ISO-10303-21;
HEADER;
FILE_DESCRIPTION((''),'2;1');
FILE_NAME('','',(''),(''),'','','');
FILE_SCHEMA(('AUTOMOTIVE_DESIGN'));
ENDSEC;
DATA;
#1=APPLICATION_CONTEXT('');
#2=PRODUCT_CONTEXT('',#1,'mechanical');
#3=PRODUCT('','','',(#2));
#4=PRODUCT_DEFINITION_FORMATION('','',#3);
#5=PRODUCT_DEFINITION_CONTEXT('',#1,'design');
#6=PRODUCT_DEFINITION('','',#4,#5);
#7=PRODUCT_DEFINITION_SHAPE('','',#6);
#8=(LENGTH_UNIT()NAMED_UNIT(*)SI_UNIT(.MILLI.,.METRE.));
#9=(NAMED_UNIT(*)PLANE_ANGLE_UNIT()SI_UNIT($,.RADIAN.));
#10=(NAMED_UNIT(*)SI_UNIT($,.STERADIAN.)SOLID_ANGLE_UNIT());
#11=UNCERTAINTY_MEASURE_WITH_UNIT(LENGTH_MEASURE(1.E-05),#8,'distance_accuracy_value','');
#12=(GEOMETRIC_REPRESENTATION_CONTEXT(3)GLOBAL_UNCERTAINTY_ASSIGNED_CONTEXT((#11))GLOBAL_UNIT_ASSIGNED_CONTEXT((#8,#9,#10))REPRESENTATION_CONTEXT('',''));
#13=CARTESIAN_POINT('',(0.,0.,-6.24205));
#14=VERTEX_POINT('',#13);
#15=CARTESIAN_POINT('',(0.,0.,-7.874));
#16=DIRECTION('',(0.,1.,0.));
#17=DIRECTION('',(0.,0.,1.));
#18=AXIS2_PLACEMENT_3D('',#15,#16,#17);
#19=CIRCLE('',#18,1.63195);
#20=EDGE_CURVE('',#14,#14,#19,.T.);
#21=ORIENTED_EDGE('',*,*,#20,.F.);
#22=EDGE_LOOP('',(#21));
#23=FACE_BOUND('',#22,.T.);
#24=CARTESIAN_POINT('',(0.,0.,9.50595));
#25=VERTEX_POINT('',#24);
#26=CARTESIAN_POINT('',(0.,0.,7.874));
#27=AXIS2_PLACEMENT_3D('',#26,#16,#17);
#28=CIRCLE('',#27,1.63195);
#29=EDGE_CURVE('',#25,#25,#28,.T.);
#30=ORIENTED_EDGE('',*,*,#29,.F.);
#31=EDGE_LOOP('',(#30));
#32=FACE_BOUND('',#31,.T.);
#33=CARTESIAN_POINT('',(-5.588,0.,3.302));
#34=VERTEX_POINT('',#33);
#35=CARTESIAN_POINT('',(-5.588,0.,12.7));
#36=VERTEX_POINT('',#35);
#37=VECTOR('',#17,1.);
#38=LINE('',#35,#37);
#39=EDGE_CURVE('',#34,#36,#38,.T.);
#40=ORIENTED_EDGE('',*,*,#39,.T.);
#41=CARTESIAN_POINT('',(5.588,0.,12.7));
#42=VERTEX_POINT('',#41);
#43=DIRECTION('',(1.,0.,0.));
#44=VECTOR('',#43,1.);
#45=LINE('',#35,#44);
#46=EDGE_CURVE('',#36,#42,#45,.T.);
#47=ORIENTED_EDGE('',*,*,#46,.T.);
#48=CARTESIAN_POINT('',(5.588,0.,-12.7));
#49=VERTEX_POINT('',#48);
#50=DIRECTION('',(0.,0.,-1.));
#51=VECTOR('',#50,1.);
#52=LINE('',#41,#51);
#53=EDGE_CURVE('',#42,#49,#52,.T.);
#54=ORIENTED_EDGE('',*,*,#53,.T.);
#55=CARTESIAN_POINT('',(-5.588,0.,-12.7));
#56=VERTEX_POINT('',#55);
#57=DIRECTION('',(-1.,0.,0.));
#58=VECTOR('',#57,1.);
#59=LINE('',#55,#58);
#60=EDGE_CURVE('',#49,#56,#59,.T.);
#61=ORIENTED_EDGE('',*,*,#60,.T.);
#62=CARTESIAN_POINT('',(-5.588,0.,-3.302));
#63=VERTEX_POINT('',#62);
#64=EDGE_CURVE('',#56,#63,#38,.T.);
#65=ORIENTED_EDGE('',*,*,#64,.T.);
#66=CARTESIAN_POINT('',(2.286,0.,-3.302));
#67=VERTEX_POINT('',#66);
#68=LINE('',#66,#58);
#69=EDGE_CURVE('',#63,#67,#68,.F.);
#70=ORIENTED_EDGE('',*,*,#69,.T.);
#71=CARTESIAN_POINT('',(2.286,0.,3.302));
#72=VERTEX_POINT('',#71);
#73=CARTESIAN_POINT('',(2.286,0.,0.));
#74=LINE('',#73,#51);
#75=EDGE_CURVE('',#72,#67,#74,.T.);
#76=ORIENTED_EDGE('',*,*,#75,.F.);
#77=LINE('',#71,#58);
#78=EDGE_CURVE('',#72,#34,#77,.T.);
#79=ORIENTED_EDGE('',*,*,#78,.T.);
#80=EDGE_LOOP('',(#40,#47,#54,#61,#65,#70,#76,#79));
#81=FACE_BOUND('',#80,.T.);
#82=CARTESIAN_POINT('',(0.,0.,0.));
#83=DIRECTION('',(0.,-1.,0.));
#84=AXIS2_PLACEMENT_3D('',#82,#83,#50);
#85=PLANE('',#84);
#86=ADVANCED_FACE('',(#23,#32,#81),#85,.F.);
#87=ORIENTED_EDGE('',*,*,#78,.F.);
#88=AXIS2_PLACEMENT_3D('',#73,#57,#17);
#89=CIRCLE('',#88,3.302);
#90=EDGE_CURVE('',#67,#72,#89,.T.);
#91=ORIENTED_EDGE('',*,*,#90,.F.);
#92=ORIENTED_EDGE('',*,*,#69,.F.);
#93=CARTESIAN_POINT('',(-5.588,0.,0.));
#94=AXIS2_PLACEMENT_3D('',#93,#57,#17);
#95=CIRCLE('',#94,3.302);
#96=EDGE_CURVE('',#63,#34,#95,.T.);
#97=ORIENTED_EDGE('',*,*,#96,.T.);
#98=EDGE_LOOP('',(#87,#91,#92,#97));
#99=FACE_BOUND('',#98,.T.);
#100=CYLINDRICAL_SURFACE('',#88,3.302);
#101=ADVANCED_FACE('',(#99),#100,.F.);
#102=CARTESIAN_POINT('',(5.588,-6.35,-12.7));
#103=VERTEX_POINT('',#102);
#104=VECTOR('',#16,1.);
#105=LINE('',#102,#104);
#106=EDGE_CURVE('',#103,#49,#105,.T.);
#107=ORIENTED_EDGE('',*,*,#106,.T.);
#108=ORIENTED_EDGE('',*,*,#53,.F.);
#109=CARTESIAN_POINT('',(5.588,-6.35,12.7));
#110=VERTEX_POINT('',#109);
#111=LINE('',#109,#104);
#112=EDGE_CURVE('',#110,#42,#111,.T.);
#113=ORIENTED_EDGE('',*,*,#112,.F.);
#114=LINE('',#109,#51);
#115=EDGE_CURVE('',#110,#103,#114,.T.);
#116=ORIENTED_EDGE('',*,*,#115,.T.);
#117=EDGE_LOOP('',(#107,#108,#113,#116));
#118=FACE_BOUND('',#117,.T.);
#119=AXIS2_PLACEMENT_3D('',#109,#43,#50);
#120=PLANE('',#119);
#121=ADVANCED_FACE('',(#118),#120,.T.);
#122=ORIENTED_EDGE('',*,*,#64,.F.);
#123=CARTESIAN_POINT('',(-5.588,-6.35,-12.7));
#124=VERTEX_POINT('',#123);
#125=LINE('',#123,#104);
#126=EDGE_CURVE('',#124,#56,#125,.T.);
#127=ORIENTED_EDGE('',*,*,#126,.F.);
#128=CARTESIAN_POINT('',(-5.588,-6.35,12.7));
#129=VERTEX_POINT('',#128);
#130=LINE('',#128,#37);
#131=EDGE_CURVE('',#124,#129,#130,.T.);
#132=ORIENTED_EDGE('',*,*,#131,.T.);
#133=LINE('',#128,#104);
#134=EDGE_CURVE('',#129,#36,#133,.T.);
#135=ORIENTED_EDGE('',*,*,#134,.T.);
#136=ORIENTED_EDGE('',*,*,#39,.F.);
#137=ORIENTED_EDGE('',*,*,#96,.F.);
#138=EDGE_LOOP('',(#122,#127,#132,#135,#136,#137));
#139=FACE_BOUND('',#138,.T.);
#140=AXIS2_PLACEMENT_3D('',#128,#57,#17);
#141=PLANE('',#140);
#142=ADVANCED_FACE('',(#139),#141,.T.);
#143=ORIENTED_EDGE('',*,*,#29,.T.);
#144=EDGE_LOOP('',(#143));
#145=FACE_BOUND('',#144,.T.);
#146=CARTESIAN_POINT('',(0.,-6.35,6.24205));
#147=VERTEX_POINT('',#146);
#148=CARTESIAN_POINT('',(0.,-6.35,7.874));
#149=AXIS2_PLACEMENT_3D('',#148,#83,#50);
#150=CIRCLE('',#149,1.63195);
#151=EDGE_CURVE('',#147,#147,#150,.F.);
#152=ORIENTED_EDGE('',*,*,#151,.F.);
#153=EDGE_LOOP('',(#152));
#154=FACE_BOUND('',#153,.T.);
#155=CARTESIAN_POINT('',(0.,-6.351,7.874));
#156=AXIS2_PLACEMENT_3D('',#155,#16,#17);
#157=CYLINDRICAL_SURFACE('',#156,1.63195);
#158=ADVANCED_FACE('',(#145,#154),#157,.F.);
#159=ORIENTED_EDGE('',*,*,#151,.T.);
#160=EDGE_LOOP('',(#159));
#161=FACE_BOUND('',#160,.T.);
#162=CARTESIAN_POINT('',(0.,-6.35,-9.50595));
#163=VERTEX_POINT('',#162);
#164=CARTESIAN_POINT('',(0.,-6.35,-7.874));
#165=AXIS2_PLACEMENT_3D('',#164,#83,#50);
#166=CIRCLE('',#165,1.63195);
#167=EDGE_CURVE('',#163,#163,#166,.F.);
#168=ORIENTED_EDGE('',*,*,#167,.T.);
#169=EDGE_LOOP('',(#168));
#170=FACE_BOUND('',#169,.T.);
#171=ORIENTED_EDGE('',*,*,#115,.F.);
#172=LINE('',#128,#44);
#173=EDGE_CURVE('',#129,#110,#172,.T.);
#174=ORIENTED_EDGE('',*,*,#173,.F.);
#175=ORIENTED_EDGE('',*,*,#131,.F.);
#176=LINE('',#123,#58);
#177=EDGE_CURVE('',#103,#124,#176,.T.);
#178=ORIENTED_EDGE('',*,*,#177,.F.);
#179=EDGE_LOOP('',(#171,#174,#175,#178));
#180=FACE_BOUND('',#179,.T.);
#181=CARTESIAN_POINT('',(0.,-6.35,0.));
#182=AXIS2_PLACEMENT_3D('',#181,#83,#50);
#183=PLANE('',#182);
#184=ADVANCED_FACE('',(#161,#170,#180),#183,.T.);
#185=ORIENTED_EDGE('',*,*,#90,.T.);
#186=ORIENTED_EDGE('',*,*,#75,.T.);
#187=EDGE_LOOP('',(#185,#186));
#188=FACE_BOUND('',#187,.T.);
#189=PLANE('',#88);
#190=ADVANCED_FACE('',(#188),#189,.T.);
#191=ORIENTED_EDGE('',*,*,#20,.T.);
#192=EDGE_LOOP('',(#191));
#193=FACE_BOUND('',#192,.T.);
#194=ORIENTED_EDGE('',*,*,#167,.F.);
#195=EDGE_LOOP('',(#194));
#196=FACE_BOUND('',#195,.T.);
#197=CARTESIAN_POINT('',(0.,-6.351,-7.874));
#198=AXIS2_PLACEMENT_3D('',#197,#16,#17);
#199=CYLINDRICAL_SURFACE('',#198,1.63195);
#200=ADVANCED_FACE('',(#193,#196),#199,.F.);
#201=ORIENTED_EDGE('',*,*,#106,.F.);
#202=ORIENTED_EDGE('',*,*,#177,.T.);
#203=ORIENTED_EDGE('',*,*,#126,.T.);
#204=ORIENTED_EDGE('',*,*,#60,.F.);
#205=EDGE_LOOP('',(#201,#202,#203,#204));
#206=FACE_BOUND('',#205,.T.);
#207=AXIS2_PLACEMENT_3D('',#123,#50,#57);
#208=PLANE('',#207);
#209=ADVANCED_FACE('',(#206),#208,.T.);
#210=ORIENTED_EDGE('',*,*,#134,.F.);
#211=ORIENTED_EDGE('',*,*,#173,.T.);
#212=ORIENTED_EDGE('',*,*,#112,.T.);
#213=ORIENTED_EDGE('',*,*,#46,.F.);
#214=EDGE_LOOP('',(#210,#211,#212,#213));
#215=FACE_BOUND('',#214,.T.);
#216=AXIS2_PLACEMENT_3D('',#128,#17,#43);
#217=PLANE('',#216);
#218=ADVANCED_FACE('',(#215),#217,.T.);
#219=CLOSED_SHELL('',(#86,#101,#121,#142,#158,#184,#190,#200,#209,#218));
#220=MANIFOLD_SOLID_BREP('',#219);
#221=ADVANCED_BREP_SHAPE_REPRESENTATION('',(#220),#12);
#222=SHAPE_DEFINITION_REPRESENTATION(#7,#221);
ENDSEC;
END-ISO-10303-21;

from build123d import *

# Parameters (mm, degrees)
SKETCH1_W           = 11.176
SKETCH1_H           = 25.4
BOSS_EXTRUDE1_DEPTH = 6.35
SKETCH2_R           = 3.302
CUT_EXTRUDE1_DEPTH  = 7.874
CUT_EXTRUDE2_REACH  = 17.259
SKETCH3_R           = 1.63195


with BuildPart() as part:
    # Sketch1 → Boss-Extrude1 (new body)
    with BuildSketch(Plane(origin=(0, 0, 0), x_dir=(1, 0, 0), z_dir=(0, 1, 0))):
        Rectangle(SKETCH1_W, SKETCH1_H)
    extrude(amount=-BOSS_EXTRUDE1_DEPTH)

    # Sketch2 → Cut-Extrude1 (cut)
    with BuildSketch(Plane.ZY.offset(5.588)):
        Circle(SKETCH2_R)
    extrude(amount=-CUT_EXTRUDE1_DEPTH, mode=Mode.SUBTRACT)

    # Sketch3 → Cut-Extrude2 (cut, up to next)
    with BuildSketch(Plane(origin=(0, 0, 0), x_dir=(1, 0, 0), z_dir=(0, 1, 0)), mode=Mode.PRIVATE) as cut_extrude2_sk1:
        with Locations(Location((0, 7.874, 0), (0, 0, 270))):
            Circle(SKETCH3_R)
    cut_extrude2_tool1 = extrude(cut_extrude2_sk1.sketch, amount=-CUT_EXTRUDE2_REACH, mode=Mode.PRIVATE) & part.part
    # Sketch3 → Cut-Extrude2 (cut, up to next)
    with BuildSketch(Plane(origin=(0, 0, 0), x_dir=(1, 0, 0), z_dir=(0, 1, 0)), mode=Mode.PRIVATE) as cut_extrude2_sk2:
        with Locations(Location((0, -7.874, 0), (0, 0, 270))):
            Circle(SKETCH3_R)
    cut_extrude2_tool2 = extrude(cut_extrude2_sk2.sketch, amount=-CUT_EXTRUDE2_REACH, mode=Mode.PRIVATE) & part.part
    add(cut_extrude2_tool1.solids().sort_by_distance((0, 0, -7.874))[0], mode=Mode.SUBTRACT)
    add(cut_extrude2_tool2.solids().sort_by_distance((0, 0, 7.874))[0], mode=Mode.SUBTRACT)


solid = part.part
